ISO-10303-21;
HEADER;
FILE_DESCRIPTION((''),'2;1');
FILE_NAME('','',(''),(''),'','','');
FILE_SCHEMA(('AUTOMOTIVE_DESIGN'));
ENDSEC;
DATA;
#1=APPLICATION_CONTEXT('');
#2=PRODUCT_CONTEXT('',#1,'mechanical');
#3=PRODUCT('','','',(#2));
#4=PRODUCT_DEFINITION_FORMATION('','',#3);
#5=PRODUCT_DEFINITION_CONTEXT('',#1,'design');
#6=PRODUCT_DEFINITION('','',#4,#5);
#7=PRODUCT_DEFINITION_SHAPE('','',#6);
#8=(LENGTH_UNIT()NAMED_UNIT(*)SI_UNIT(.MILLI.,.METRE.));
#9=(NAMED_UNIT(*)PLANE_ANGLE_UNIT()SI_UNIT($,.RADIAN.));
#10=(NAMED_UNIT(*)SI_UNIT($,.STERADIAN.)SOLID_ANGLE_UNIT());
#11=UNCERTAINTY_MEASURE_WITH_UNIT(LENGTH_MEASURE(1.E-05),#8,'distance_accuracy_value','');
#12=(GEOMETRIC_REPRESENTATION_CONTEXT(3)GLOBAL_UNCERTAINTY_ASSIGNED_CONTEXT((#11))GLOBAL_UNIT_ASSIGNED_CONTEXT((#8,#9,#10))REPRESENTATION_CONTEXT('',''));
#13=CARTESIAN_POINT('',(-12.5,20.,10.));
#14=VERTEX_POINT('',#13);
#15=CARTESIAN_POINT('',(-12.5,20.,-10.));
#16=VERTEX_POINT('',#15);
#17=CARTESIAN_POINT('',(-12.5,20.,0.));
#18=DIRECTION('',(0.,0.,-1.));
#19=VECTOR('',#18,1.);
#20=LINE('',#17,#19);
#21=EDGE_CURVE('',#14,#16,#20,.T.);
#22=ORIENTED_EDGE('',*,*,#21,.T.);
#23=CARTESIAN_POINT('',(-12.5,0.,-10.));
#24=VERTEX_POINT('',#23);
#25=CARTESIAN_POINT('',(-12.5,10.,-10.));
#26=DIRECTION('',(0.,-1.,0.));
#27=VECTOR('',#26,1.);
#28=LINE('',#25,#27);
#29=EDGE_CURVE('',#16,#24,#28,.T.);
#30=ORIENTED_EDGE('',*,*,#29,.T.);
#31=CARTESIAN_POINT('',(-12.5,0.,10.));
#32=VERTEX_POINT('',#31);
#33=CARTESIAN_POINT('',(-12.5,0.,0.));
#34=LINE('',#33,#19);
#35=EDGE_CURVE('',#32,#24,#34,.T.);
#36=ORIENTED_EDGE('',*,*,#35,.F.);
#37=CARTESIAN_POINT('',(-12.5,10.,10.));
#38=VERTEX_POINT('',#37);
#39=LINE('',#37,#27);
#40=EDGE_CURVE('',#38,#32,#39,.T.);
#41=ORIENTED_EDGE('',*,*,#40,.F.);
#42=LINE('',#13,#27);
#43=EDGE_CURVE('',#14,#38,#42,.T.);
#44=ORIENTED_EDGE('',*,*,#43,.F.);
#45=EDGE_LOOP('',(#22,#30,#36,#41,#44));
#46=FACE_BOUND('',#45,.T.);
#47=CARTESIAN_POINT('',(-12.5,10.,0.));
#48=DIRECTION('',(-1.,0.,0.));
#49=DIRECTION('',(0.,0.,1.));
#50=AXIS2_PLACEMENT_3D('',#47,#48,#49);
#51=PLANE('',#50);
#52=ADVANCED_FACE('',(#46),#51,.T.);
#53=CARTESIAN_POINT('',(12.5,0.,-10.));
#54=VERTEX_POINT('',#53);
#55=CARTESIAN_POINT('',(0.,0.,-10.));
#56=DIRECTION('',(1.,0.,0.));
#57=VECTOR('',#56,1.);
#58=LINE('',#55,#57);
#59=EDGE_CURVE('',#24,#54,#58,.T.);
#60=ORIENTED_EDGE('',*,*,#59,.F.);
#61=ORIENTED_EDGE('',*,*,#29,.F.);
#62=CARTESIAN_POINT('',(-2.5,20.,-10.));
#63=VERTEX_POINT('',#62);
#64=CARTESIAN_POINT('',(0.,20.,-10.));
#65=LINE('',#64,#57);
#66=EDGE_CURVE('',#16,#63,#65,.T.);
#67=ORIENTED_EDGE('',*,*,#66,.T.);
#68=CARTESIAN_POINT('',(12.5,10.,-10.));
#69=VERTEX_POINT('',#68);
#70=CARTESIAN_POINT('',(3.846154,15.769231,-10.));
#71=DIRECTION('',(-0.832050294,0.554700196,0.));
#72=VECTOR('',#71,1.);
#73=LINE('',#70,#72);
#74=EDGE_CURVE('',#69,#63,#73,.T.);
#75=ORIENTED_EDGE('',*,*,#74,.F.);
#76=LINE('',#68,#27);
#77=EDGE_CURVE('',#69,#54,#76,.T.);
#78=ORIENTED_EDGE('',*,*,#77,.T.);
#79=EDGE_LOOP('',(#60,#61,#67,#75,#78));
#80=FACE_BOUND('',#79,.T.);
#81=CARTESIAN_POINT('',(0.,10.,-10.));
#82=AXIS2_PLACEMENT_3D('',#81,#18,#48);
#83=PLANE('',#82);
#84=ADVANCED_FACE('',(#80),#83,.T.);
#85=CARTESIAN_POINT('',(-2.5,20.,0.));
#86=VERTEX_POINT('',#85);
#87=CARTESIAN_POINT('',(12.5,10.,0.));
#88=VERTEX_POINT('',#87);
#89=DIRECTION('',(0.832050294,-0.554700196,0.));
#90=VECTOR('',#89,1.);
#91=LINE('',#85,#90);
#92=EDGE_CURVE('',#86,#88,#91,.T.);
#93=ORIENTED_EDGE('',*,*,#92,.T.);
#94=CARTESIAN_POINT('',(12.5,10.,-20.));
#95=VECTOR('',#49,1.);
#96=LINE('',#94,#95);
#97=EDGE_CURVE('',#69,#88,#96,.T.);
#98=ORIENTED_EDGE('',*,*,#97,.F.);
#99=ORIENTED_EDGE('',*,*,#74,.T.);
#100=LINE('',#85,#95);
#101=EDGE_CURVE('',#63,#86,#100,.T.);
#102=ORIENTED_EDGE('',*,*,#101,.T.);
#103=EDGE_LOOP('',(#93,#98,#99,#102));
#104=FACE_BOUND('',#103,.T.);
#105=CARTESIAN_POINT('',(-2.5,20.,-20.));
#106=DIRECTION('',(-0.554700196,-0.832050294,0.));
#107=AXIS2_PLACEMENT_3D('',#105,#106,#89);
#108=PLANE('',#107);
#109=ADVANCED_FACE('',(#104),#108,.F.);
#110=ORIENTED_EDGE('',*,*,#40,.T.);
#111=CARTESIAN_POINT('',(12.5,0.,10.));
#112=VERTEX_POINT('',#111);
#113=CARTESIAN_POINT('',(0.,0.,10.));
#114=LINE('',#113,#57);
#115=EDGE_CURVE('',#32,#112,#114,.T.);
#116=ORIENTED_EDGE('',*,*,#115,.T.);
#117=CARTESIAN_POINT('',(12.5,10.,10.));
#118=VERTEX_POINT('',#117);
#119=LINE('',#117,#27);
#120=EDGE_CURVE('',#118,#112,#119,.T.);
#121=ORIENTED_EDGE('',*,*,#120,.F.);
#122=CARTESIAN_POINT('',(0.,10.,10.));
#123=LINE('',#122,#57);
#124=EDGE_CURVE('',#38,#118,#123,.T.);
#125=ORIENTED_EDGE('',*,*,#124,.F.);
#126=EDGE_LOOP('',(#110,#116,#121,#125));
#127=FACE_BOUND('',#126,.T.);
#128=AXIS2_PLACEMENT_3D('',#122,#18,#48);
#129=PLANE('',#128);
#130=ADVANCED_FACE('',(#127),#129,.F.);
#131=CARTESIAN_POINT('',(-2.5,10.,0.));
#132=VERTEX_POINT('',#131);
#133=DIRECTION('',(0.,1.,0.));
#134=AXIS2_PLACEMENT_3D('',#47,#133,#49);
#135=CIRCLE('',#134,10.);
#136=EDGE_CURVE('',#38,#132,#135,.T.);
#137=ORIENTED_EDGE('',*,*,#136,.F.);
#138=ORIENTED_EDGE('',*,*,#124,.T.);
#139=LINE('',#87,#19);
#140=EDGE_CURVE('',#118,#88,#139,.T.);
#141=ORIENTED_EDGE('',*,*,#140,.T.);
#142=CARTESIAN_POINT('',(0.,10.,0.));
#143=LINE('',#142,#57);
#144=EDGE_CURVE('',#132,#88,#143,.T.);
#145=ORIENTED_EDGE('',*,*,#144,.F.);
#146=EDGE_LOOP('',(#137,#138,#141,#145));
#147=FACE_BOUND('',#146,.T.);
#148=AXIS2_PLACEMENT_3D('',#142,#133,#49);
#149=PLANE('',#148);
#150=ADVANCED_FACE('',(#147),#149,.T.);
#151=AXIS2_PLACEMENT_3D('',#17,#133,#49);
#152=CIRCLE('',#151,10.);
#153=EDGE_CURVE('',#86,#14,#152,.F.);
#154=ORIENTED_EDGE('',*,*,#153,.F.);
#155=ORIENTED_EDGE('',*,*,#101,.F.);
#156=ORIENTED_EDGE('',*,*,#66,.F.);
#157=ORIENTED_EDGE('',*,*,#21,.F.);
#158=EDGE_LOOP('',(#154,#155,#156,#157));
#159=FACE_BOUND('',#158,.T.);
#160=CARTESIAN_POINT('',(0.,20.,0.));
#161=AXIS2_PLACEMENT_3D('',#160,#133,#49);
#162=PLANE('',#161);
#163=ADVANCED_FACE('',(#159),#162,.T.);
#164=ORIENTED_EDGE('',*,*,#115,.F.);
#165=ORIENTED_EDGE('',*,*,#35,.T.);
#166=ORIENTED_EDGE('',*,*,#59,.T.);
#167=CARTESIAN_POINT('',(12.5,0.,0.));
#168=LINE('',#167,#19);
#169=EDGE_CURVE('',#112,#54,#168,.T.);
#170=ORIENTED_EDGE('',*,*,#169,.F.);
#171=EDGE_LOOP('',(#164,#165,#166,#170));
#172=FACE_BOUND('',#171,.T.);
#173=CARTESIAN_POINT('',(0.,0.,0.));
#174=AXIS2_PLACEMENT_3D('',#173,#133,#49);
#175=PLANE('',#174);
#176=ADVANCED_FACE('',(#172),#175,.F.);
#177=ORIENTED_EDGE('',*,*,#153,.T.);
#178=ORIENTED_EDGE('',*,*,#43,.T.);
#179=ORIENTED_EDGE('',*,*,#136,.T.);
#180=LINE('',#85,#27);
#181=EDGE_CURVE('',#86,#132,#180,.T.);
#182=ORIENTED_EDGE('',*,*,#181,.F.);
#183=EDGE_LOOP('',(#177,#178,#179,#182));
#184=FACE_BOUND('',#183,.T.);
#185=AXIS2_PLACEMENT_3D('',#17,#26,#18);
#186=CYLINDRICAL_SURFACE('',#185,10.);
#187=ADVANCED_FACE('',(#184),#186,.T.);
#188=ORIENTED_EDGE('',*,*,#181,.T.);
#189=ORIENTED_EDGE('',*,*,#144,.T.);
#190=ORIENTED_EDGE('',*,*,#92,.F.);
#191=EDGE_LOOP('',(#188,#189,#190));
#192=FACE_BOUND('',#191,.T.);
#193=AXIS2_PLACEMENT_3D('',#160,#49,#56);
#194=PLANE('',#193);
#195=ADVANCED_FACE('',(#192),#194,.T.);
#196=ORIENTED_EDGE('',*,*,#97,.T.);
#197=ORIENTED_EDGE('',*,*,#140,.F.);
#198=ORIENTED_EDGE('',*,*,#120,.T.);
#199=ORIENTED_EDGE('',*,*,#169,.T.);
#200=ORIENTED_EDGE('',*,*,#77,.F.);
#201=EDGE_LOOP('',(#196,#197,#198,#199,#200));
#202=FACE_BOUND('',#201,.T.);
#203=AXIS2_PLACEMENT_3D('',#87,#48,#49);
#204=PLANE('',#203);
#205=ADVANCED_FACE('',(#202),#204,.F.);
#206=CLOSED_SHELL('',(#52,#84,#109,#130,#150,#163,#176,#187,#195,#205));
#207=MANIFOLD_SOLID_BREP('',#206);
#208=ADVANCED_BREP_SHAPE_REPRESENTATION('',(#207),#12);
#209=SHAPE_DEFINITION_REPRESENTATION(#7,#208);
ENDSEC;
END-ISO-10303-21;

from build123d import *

# Parameters (mm, degrees)
SKETCH_1_W          = 25
SKETCH_1_H          = 20
EXTRUDE_1_DEPTH     = 10
EXTRUDE_2_DEPTH     = 20
CUT_EXTRUDE_1_DEPTH = 20


with BuildPart() as part:
    # 草圖1 → 填料-伸長1 (new body)
    with BuildSketch(Plane(origin=(0, 0, 0), x_dir=(1, 0, 0), z_dir=(0, 1, 0))):
        Rectangle(SKETCH_1_W, SKETCH_1_H)
    extrude(amount=EXTRUDE_1_DEPTH)

    # 草圖1<3> → 填料-伸長2 (add)
    with BuildSketch(Plane(origin=(0, 0, 0), x_dir=(1, 0, 0), z_dir=(0, 1, 0))):
        with BuildLine():
            Line((-12.5, 10), (-12.5, -10))
            ThreePointArc((-12.5, -10), (-5.428932188, -7.071067812), (-2.5, 0))
            Line((-2.5, 0), (12.5, 0))
            Line((12.5, 0), (12.5, 10))
            Line((12.5, 10), (-12.5, 10))
        make_face()
    extrude(amount=EXTRUDE_2_DEPTH)

    # 草圖2 → 除料-伸長1 (cut)
    with BuildSketch(Plane.XY):
        Polygon((-2.5, 20), (12.5, 10), (12.5, 20), align=None)
    extrude(amount=-CUT_EXTRUDE_1_DEPTH, mode=Mode.SUBTRACT)


solid = part.part
